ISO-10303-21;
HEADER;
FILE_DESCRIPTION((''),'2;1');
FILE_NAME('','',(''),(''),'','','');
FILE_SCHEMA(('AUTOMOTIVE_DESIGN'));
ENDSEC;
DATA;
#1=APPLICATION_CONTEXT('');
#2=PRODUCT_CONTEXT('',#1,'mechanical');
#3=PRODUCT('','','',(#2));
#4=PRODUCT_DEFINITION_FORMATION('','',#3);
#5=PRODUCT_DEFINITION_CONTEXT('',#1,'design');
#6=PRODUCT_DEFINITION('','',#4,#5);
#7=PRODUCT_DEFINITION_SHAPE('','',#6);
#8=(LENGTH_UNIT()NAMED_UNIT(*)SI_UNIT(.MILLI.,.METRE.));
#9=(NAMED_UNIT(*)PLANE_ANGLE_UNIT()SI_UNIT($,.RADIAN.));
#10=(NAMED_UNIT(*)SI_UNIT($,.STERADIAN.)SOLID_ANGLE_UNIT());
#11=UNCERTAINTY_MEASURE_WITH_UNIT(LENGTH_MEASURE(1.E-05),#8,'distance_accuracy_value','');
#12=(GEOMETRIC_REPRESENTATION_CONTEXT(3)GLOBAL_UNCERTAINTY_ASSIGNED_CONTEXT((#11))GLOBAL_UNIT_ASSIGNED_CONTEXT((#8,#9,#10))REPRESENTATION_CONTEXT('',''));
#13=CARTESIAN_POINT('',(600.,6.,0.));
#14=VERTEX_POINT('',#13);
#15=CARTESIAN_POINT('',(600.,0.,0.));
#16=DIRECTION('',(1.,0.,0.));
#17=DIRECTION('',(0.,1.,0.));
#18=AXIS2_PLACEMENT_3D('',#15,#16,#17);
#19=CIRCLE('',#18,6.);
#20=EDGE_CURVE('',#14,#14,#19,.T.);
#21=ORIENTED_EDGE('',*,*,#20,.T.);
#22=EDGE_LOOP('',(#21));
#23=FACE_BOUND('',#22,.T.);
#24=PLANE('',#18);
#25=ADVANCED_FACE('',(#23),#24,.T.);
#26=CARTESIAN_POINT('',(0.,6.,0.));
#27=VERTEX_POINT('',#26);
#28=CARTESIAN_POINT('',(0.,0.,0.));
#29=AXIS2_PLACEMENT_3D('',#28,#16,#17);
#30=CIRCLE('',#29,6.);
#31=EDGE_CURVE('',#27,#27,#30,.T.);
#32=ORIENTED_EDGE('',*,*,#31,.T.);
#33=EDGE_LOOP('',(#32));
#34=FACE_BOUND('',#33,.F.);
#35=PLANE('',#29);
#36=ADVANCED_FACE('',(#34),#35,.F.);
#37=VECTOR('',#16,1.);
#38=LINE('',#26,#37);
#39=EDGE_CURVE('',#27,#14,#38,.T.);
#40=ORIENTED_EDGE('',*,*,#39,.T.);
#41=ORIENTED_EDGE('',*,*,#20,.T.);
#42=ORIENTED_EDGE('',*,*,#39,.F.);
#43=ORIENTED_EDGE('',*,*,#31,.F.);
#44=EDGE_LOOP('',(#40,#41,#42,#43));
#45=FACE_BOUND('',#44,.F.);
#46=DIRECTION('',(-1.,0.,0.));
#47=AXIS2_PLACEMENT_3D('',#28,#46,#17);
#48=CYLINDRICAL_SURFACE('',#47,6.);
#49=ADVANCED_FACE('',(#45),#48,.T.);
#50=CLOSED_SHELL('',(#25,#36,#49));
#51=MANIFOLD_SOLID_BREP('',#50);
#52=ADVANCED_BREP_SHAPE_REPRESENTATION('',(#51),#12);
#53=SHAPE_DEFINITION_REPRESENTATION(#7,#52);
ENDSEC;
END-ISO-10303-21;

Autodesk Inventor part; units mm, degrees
ref_plane "YZ Plane" through (0, 0, 0) normal (1, 0, 0) x (0, 1, 0)
ref_plane "XZ Plane" through (0, 0, 0) normal (0, 1, 0) x (-1, 0, 0)
ref_plane "XY Plane" through (0, 0, 0) normal (0, 0, 1) x (1, 0, 0)
sketch "Sketch1" plane through (0, 0, 0) normal (1, 0, 0) x (0, 1, 0)
  circle A0 centre (0, 0) radius 6
  dimension "d0" = 12
  dimension "d0" = 12
extrude "Extrusion1" add sketch "Sketch1" along normal blind 600
properties part number "OS"
